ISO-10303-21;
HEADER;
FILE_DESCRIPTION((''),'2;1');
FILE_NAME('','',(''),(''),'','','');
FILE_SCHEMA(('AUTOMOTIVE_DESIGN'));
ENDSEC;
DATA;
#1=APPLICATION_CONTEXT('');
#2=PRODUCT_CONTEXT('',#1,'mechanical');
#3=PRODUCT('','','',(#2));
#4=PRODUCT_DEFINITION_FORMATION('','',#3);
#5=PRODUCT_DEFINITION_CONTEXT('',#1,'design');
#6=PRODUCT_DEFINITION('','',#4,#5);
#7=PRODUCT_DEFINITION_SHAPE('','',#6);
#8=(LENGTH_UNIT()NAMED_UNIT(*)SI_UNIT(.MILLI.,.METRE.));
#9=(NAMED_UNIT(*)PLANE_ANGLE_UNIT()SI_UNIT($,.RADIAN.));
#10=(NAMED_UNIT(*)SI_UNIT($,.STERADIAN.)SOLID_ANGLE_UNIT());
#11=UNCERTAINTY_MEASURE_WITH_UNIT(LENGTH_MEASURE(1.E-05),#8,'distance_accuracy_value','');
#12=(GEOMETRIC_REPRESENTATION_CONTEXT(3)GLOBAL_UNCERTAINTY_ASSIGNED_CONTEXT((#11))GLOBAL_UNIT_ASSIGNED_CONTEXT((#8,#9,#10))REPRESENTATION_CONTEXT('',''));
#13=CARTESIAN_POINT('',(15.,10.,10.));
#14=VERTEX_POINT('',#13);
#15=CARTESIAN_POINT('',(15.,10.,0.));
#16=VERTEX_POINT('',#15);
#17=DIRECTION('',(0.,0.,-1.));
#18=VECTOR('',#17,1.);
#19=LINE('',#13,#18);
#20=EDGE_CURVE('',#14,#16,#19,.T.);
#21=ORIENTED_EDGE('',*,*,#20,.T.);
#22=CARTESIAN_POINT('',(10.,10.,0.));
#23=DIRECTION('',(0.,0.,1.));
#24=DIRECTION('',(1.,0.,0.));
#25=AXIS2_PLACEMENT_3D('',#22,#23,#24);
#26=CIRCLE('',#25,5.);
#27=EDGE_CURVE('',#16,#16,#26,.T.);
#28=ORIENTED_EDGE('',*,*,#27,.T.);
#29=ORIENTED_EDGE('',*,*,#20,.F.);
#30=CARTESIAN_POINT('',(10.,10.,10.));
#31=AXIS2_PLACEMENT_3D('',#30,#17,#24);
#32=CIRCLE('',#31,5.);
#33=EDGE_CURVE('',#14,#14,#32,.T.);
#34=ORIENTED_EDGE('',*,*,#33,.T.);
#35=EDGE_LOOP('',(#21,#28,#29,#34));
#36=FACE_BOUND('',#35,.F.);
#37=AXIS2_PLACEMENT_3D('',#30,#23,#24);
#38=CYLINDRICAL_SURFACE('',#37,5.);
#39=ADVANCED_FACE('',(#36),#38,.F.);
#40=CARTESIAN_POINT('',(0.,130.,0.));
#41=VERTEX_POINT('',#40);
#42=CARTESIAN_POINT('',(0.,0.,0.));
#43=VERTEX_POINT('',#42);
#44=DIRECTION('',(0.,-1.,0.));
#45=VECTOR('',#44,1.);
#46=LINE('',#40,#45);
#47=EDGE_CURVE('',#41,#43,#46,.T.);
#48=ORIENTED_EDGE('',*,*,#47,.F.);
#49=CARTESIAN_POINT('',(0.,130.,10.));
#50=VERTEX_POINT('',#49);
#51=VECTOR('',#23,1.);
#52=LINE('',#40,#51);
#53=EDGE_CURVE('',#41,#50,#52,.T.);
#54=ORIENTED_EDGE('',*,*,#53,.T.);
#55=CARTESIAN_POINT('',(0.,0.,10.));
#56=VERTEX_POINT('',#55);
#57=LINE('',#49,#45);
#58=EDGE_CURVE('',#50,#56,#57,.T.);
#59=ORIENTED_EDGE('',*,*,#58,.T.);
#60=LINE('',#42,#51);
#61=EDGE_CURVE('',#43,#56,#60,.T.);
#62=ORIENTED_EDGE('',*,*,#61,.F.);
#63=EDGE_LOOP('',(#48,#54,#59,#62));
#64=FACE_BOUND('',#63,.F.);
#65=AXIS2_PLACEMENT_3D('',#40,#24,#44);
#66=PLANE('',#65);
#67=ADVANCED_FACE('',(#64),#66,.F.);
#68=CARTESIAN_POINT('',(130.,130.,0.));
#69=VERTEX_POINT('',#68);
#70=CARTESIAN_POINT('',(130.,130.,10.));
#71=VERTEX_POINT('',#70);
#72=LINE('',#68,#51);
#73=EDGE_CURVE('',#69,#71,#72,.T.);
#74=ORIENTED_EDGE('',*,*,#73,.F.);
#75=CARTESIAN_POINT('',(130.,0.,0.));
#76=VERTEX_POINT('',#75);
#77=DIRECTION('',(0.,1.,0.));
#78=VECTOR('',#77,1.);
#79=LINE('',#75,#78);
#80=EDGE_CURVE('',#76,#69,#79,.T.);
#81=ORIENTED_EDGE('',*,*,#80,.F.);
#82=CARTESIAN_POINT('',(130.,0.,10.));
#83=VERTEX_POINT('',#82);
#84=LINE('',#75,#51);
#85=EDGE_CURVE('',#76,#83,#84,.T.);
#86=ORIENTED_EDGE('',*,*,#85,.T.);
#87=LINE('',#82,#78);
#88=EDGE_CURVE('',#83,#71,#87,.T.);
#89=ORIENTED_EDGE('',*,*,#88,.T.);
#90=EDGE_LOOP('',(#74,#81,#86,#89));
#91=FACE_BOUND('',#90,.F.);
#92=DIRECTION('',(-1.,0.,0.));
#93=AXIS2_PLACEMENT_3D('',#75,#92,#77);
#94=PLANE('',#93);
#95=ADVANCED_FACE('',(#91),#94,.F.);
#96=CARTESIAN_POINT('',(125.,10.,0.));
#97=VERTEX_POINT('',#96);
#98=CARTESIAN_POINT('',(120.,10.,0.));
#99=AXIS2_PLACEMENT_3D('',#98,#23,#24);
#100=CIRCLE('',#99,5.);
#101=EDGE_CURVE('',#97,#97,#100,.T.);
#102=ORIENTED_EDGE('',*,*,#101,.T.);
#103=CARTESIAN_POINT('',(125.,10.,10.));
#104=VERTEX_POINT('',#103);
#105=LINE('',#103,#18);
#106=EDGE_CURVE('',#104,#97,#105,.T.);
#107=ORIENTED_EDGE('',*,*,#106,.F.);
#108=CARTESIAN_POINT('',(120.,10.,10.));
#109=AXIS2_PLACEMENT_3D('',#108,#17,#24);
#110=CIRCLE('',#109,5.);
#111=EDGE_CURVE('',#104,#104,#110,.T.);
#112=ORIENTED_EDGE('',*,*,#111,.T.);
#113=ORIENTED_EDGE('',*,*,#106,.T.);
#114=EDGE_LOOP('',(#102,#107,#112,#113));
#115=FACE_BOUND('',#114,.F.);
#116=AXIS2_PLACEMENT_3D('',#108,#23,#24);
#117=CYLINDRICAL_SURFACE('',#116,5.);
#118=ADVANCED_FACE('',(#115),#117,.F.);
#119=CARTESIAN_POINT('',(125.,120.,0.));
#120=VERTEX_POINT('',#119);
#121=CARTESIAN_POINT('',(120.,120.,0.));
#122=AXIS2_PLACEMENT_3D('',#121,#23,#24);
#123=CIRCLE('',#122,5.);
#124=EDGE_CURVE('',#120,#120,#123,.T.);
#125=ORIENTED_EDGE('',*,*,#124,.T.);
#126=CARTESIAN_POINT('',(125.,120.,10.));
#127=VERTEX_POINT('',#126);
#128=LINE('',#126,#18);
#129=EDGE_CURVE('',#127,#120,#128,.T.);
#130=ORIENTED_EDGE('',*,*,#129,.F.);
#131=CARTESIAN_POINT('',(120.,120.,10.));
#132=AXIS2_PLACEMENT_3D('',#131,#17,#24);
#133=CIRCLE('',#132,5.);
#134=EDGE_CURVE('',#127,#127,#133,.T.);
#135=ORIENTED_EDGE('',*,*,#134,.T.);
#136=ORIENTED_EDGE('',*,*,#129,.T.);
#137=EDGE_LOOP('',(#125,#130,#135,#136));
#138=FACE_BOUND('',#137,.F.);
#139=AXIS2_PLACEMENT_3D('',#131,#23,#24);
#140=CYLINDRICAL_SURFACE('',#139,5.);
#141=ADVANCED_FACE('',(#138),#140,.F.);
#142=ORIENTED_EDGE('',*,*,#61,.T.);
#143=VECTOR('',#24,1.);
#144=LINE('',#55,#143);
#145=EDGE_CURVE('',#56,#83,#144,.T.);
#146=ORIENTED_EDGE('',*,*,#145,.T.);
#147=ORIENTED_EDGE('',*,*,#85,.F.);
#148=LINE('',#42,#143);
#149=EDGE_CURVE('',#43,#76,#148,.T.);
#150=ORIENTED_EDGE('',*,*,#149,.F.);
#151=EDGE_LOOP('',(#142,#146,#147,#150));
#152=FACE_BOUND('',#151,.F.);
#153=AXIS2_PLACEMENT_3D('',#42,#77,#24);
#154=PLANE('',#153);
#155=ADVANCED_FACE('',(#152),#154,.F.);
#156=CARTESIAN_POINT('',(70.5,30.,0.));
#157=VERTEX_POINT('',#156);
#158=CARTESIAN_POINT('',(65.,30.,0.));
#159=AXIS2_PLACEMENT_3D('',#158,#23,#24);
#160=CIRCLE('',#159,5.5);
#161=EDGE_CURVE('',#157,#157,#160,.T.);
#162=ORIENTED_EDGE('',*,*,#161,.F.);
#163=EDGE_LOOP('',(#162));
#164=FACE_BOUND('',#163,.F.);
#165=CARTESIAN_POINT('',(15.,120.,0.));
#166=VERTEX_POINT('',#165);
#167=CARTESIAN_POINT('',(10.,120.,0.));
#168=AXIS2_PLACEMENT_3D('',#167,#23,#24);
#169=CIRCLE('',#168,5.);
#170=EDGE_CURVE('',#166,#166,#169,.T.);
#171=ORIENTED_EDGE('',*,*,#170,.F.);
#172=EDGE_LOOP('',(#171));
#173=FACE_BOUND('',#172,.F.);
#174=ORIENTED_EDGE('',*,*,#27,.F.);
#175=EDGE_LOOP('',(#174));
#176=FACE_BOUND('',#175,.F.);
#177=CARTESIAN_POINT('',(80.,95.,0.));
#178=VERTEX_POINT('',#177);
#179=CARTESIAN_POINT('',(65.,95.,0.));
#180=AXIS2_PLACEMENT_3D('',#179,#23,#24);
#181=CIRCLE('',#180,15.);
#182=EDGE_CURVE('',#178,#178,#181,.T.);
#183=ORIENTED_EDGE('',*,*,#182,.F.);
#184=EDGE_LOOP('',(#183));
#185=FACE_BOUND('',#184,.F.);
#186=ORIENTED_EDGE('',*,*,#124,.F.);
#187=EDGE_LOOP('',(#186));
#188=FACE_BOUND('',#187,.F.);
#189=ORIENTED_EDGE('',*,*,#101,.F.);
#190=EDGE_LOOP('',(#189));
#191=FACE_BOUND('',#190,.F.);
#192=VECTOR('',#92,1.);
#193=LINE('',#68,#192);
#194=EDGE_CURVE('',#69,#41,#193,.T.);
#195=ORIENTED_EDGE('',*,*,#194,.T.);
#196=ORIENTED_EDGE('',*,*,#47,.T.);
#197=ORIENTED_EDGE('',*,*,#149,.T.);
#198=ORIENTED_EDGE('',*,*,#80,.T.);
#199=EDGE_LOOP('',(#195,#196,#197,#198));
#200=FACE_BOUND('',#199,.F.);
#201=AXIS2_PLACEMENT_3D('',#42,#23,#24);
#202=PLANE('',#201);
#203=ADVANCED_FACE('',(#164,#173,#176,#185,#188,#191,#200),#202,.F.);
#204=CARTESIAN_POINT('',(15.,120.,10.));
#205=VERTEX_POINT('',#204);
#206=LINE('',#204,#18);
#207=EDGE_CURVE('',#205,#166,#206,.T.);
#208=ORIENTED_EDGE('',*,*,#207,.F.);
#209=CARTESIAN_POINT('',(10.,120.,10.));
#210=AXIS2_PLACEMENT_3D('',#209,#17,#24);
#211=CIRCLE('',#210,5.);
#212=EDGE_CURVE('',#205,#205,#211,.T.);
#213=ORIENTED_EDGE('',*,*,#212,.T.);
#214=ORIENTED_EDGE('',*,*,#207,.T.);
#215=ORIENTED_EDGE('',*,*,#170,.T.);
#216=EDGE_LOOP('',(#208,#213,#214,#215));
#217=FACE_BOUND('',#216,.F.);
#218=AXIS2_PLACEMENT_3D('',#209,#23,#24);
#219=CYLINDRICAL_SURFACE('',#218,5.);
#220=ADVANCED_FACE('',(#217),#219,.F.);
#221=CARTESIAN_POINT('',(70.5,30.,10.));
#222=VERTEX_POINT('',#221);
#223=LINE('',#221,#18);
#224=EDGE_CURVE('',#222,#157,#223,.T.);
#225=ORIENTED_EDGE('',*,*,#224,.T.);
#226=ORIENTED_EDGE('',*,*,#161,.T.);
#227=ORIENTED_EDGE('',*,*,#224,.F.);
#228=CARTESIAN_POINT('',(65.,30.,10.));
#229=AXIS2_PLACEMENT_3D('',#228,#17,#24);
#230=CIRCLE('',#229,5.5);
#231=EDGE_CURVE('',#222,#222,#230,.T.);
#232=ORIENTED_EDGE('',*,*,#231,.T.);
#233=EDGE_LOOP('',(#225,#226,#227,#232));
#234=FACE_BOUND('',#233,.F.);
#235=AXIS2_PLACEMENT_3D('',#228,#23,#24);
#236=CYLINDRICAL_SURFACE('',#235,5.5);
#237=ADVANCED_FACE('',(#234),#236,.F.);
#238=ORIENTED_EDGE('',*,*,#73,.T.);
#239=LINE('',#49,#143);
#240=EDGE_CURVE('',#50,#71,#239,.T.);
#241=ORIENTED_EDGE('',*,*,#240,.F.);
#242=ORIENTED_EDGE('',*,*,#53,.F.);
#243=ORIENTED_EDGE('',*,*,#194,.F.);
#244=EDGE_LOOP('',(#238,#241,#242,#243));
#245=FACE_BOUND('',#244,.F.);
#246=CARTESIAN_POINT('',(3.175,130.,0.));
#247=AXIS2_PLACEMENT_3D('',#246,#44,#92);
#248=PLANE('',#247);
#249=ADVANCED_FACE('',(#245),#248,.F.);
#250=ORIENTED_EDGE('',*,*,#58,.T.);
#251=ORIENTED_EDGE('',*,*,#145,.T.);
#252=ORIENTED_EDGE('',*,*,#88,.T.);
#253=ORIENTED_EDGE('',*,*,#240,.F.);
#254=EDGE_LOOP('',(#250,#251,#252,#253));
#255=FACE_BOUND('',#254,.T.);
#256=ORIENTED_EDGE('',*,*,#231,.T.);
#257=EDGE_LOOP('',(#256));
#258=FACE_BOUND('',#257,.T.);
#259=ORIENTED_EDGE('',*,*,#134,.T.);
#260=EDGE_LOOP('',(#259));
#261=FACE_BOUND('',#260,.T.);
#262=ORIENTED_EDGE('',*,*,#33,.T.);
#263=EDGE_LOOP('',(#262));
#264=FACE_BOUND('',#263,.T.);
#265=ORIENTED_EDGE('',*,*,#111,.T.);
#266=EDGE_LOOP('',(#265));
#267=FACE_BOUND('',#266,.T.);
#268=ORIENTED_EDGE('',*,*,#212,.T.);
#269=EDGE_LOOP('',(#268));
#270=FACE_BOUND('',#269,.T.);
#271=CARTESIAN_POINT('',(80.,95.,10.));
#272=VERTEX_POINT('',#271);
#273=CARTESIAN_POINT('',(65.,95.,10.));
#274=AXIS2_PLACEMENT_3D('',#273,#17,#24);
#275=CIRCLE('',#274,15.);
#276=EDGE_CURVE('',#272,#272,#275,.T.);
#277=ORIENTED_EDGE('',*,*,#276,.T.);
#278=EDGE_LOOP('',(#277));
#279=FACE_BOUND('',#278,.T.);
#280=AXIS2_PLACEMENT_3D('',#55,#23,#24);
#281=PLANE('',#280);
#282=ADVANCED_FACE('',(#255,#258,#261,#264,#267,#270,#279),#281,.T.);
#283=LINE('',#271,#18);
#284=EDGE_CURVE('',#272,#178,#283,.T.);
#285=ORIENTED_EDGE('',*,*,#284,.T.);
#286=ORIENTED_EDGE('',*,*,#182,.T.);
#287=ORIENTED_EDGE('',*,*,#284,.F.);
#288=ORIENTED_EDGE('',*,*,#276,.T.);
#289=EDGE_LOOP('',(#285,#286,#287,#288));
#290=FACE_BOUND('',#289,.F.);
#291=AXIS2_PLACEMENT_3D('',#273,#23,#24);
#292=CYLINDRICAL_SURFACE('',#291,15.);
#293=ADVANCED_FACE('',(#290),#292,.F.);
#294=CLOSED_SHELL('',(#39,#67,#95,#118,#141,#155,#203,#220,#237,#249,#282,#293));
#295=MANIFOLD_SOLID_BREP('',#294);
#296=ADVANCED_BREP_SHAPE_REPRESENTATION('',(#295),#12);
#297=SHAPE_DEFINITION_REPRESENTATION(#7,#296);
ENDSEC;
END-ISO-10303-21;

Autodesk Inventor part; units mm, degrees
ref_plane "YZ Plane" through (0, 0, 0) normal (1, 0, 0) x (0, 1, 0)
ref_plane "XZ Plane" through (0, 0, 0) normal (0, 1, 0) x (-1, 0, 0)
ref_plane "XY Plane" through (0, 0, 0) normal (0, 0, 1) x (1, 0, 0)
sketch "Sketch1" plane through (0, 0, 0) normal (0, 0, 1) x (1, 0, 0)
  line L0 (0, 0) -> (130, 0)
  line L1 (130, 0) -> (130, 130)
  line L2 (130, 130) -> (0, 130)
  line L3 (0, 130) -> (0, 0)
  line L4 (0, 130) -> (19.05, 130)
  line L5 (0, 130) -> (3.175, 130)
  dimension "d0" = 130
  dimension "d1" = 130
extrude "Extrusion1" add sketch "Sketch1" along normal blind 10
sketch "Sketch2" plane through (0, 0, 10) normal (0, 0, 1) x (1, 0, 0)
  line L0 (130, 130) -> (0, 130) projected
  line L1 (0, 130) -> (10, 130)
  line L2 (10, 130) -> (10, 10)
  line L3 (10, 10) -> (120, 10)
  line L4 (120, 10) -> (120, 120)
  line L5 (120, 120) -> (10, 120)
  circle A0 centre (10, 120) radius 5
  circle A1 centre (120, 120) radius 5
  circle A2 centre (120, 10) radius 5
  circle A3 centre (10, 10) radius 5
  point P0 (0, 0)
  dimension "d4" = 10
  dimension "d5" = 120
  dimension "d6" = 110
  dimension "d7" = 110
  dimension "d8" = 110
  dimension "d9" = 10
  dimension "d10" = 10
  dimension "d11" = 10
  dimension "d12" = 10
extrude "Extrusion2" cut sketch "Sketch2" against normal through all contours A0 L5 L2 | L2 A0 | L5 A0 L2 | A1 L4 L5 | L5 L4 A1 | A3 L3 L2 | L2 L3 A3 | A2 L3 L4 | L4 L3 A2
sketch "Sketch3" plane through (0, 0, 10) normal (0, 0, 1) x (1, 0, 0)
  line L0 (0, 0) -> (65, 0)
  line L1 (0, 0) -> (130, 0) projected
  line L2 (65, 0) -> (65, 30)
  circle A0 centre (65, 30) radius 5.5
  line L3 (130, 130) -> (0, 130) projected
  line L4 (0, 130) -> (65, 130)
  line L5 (65, 130) -> (65, 95)
  circle A1 centre (65, 95) radius 15
  dimension "d15" = 65
  dimension "d16" = 30
  dimension "d17" = 11
  dimension "d18" = 65
  dimension "d19" = 35
  dimension "d20" = 30
extrude "Extrusion3" cut sketch "Sketch3" against normal blind 10
properties part number "BOTTON"
